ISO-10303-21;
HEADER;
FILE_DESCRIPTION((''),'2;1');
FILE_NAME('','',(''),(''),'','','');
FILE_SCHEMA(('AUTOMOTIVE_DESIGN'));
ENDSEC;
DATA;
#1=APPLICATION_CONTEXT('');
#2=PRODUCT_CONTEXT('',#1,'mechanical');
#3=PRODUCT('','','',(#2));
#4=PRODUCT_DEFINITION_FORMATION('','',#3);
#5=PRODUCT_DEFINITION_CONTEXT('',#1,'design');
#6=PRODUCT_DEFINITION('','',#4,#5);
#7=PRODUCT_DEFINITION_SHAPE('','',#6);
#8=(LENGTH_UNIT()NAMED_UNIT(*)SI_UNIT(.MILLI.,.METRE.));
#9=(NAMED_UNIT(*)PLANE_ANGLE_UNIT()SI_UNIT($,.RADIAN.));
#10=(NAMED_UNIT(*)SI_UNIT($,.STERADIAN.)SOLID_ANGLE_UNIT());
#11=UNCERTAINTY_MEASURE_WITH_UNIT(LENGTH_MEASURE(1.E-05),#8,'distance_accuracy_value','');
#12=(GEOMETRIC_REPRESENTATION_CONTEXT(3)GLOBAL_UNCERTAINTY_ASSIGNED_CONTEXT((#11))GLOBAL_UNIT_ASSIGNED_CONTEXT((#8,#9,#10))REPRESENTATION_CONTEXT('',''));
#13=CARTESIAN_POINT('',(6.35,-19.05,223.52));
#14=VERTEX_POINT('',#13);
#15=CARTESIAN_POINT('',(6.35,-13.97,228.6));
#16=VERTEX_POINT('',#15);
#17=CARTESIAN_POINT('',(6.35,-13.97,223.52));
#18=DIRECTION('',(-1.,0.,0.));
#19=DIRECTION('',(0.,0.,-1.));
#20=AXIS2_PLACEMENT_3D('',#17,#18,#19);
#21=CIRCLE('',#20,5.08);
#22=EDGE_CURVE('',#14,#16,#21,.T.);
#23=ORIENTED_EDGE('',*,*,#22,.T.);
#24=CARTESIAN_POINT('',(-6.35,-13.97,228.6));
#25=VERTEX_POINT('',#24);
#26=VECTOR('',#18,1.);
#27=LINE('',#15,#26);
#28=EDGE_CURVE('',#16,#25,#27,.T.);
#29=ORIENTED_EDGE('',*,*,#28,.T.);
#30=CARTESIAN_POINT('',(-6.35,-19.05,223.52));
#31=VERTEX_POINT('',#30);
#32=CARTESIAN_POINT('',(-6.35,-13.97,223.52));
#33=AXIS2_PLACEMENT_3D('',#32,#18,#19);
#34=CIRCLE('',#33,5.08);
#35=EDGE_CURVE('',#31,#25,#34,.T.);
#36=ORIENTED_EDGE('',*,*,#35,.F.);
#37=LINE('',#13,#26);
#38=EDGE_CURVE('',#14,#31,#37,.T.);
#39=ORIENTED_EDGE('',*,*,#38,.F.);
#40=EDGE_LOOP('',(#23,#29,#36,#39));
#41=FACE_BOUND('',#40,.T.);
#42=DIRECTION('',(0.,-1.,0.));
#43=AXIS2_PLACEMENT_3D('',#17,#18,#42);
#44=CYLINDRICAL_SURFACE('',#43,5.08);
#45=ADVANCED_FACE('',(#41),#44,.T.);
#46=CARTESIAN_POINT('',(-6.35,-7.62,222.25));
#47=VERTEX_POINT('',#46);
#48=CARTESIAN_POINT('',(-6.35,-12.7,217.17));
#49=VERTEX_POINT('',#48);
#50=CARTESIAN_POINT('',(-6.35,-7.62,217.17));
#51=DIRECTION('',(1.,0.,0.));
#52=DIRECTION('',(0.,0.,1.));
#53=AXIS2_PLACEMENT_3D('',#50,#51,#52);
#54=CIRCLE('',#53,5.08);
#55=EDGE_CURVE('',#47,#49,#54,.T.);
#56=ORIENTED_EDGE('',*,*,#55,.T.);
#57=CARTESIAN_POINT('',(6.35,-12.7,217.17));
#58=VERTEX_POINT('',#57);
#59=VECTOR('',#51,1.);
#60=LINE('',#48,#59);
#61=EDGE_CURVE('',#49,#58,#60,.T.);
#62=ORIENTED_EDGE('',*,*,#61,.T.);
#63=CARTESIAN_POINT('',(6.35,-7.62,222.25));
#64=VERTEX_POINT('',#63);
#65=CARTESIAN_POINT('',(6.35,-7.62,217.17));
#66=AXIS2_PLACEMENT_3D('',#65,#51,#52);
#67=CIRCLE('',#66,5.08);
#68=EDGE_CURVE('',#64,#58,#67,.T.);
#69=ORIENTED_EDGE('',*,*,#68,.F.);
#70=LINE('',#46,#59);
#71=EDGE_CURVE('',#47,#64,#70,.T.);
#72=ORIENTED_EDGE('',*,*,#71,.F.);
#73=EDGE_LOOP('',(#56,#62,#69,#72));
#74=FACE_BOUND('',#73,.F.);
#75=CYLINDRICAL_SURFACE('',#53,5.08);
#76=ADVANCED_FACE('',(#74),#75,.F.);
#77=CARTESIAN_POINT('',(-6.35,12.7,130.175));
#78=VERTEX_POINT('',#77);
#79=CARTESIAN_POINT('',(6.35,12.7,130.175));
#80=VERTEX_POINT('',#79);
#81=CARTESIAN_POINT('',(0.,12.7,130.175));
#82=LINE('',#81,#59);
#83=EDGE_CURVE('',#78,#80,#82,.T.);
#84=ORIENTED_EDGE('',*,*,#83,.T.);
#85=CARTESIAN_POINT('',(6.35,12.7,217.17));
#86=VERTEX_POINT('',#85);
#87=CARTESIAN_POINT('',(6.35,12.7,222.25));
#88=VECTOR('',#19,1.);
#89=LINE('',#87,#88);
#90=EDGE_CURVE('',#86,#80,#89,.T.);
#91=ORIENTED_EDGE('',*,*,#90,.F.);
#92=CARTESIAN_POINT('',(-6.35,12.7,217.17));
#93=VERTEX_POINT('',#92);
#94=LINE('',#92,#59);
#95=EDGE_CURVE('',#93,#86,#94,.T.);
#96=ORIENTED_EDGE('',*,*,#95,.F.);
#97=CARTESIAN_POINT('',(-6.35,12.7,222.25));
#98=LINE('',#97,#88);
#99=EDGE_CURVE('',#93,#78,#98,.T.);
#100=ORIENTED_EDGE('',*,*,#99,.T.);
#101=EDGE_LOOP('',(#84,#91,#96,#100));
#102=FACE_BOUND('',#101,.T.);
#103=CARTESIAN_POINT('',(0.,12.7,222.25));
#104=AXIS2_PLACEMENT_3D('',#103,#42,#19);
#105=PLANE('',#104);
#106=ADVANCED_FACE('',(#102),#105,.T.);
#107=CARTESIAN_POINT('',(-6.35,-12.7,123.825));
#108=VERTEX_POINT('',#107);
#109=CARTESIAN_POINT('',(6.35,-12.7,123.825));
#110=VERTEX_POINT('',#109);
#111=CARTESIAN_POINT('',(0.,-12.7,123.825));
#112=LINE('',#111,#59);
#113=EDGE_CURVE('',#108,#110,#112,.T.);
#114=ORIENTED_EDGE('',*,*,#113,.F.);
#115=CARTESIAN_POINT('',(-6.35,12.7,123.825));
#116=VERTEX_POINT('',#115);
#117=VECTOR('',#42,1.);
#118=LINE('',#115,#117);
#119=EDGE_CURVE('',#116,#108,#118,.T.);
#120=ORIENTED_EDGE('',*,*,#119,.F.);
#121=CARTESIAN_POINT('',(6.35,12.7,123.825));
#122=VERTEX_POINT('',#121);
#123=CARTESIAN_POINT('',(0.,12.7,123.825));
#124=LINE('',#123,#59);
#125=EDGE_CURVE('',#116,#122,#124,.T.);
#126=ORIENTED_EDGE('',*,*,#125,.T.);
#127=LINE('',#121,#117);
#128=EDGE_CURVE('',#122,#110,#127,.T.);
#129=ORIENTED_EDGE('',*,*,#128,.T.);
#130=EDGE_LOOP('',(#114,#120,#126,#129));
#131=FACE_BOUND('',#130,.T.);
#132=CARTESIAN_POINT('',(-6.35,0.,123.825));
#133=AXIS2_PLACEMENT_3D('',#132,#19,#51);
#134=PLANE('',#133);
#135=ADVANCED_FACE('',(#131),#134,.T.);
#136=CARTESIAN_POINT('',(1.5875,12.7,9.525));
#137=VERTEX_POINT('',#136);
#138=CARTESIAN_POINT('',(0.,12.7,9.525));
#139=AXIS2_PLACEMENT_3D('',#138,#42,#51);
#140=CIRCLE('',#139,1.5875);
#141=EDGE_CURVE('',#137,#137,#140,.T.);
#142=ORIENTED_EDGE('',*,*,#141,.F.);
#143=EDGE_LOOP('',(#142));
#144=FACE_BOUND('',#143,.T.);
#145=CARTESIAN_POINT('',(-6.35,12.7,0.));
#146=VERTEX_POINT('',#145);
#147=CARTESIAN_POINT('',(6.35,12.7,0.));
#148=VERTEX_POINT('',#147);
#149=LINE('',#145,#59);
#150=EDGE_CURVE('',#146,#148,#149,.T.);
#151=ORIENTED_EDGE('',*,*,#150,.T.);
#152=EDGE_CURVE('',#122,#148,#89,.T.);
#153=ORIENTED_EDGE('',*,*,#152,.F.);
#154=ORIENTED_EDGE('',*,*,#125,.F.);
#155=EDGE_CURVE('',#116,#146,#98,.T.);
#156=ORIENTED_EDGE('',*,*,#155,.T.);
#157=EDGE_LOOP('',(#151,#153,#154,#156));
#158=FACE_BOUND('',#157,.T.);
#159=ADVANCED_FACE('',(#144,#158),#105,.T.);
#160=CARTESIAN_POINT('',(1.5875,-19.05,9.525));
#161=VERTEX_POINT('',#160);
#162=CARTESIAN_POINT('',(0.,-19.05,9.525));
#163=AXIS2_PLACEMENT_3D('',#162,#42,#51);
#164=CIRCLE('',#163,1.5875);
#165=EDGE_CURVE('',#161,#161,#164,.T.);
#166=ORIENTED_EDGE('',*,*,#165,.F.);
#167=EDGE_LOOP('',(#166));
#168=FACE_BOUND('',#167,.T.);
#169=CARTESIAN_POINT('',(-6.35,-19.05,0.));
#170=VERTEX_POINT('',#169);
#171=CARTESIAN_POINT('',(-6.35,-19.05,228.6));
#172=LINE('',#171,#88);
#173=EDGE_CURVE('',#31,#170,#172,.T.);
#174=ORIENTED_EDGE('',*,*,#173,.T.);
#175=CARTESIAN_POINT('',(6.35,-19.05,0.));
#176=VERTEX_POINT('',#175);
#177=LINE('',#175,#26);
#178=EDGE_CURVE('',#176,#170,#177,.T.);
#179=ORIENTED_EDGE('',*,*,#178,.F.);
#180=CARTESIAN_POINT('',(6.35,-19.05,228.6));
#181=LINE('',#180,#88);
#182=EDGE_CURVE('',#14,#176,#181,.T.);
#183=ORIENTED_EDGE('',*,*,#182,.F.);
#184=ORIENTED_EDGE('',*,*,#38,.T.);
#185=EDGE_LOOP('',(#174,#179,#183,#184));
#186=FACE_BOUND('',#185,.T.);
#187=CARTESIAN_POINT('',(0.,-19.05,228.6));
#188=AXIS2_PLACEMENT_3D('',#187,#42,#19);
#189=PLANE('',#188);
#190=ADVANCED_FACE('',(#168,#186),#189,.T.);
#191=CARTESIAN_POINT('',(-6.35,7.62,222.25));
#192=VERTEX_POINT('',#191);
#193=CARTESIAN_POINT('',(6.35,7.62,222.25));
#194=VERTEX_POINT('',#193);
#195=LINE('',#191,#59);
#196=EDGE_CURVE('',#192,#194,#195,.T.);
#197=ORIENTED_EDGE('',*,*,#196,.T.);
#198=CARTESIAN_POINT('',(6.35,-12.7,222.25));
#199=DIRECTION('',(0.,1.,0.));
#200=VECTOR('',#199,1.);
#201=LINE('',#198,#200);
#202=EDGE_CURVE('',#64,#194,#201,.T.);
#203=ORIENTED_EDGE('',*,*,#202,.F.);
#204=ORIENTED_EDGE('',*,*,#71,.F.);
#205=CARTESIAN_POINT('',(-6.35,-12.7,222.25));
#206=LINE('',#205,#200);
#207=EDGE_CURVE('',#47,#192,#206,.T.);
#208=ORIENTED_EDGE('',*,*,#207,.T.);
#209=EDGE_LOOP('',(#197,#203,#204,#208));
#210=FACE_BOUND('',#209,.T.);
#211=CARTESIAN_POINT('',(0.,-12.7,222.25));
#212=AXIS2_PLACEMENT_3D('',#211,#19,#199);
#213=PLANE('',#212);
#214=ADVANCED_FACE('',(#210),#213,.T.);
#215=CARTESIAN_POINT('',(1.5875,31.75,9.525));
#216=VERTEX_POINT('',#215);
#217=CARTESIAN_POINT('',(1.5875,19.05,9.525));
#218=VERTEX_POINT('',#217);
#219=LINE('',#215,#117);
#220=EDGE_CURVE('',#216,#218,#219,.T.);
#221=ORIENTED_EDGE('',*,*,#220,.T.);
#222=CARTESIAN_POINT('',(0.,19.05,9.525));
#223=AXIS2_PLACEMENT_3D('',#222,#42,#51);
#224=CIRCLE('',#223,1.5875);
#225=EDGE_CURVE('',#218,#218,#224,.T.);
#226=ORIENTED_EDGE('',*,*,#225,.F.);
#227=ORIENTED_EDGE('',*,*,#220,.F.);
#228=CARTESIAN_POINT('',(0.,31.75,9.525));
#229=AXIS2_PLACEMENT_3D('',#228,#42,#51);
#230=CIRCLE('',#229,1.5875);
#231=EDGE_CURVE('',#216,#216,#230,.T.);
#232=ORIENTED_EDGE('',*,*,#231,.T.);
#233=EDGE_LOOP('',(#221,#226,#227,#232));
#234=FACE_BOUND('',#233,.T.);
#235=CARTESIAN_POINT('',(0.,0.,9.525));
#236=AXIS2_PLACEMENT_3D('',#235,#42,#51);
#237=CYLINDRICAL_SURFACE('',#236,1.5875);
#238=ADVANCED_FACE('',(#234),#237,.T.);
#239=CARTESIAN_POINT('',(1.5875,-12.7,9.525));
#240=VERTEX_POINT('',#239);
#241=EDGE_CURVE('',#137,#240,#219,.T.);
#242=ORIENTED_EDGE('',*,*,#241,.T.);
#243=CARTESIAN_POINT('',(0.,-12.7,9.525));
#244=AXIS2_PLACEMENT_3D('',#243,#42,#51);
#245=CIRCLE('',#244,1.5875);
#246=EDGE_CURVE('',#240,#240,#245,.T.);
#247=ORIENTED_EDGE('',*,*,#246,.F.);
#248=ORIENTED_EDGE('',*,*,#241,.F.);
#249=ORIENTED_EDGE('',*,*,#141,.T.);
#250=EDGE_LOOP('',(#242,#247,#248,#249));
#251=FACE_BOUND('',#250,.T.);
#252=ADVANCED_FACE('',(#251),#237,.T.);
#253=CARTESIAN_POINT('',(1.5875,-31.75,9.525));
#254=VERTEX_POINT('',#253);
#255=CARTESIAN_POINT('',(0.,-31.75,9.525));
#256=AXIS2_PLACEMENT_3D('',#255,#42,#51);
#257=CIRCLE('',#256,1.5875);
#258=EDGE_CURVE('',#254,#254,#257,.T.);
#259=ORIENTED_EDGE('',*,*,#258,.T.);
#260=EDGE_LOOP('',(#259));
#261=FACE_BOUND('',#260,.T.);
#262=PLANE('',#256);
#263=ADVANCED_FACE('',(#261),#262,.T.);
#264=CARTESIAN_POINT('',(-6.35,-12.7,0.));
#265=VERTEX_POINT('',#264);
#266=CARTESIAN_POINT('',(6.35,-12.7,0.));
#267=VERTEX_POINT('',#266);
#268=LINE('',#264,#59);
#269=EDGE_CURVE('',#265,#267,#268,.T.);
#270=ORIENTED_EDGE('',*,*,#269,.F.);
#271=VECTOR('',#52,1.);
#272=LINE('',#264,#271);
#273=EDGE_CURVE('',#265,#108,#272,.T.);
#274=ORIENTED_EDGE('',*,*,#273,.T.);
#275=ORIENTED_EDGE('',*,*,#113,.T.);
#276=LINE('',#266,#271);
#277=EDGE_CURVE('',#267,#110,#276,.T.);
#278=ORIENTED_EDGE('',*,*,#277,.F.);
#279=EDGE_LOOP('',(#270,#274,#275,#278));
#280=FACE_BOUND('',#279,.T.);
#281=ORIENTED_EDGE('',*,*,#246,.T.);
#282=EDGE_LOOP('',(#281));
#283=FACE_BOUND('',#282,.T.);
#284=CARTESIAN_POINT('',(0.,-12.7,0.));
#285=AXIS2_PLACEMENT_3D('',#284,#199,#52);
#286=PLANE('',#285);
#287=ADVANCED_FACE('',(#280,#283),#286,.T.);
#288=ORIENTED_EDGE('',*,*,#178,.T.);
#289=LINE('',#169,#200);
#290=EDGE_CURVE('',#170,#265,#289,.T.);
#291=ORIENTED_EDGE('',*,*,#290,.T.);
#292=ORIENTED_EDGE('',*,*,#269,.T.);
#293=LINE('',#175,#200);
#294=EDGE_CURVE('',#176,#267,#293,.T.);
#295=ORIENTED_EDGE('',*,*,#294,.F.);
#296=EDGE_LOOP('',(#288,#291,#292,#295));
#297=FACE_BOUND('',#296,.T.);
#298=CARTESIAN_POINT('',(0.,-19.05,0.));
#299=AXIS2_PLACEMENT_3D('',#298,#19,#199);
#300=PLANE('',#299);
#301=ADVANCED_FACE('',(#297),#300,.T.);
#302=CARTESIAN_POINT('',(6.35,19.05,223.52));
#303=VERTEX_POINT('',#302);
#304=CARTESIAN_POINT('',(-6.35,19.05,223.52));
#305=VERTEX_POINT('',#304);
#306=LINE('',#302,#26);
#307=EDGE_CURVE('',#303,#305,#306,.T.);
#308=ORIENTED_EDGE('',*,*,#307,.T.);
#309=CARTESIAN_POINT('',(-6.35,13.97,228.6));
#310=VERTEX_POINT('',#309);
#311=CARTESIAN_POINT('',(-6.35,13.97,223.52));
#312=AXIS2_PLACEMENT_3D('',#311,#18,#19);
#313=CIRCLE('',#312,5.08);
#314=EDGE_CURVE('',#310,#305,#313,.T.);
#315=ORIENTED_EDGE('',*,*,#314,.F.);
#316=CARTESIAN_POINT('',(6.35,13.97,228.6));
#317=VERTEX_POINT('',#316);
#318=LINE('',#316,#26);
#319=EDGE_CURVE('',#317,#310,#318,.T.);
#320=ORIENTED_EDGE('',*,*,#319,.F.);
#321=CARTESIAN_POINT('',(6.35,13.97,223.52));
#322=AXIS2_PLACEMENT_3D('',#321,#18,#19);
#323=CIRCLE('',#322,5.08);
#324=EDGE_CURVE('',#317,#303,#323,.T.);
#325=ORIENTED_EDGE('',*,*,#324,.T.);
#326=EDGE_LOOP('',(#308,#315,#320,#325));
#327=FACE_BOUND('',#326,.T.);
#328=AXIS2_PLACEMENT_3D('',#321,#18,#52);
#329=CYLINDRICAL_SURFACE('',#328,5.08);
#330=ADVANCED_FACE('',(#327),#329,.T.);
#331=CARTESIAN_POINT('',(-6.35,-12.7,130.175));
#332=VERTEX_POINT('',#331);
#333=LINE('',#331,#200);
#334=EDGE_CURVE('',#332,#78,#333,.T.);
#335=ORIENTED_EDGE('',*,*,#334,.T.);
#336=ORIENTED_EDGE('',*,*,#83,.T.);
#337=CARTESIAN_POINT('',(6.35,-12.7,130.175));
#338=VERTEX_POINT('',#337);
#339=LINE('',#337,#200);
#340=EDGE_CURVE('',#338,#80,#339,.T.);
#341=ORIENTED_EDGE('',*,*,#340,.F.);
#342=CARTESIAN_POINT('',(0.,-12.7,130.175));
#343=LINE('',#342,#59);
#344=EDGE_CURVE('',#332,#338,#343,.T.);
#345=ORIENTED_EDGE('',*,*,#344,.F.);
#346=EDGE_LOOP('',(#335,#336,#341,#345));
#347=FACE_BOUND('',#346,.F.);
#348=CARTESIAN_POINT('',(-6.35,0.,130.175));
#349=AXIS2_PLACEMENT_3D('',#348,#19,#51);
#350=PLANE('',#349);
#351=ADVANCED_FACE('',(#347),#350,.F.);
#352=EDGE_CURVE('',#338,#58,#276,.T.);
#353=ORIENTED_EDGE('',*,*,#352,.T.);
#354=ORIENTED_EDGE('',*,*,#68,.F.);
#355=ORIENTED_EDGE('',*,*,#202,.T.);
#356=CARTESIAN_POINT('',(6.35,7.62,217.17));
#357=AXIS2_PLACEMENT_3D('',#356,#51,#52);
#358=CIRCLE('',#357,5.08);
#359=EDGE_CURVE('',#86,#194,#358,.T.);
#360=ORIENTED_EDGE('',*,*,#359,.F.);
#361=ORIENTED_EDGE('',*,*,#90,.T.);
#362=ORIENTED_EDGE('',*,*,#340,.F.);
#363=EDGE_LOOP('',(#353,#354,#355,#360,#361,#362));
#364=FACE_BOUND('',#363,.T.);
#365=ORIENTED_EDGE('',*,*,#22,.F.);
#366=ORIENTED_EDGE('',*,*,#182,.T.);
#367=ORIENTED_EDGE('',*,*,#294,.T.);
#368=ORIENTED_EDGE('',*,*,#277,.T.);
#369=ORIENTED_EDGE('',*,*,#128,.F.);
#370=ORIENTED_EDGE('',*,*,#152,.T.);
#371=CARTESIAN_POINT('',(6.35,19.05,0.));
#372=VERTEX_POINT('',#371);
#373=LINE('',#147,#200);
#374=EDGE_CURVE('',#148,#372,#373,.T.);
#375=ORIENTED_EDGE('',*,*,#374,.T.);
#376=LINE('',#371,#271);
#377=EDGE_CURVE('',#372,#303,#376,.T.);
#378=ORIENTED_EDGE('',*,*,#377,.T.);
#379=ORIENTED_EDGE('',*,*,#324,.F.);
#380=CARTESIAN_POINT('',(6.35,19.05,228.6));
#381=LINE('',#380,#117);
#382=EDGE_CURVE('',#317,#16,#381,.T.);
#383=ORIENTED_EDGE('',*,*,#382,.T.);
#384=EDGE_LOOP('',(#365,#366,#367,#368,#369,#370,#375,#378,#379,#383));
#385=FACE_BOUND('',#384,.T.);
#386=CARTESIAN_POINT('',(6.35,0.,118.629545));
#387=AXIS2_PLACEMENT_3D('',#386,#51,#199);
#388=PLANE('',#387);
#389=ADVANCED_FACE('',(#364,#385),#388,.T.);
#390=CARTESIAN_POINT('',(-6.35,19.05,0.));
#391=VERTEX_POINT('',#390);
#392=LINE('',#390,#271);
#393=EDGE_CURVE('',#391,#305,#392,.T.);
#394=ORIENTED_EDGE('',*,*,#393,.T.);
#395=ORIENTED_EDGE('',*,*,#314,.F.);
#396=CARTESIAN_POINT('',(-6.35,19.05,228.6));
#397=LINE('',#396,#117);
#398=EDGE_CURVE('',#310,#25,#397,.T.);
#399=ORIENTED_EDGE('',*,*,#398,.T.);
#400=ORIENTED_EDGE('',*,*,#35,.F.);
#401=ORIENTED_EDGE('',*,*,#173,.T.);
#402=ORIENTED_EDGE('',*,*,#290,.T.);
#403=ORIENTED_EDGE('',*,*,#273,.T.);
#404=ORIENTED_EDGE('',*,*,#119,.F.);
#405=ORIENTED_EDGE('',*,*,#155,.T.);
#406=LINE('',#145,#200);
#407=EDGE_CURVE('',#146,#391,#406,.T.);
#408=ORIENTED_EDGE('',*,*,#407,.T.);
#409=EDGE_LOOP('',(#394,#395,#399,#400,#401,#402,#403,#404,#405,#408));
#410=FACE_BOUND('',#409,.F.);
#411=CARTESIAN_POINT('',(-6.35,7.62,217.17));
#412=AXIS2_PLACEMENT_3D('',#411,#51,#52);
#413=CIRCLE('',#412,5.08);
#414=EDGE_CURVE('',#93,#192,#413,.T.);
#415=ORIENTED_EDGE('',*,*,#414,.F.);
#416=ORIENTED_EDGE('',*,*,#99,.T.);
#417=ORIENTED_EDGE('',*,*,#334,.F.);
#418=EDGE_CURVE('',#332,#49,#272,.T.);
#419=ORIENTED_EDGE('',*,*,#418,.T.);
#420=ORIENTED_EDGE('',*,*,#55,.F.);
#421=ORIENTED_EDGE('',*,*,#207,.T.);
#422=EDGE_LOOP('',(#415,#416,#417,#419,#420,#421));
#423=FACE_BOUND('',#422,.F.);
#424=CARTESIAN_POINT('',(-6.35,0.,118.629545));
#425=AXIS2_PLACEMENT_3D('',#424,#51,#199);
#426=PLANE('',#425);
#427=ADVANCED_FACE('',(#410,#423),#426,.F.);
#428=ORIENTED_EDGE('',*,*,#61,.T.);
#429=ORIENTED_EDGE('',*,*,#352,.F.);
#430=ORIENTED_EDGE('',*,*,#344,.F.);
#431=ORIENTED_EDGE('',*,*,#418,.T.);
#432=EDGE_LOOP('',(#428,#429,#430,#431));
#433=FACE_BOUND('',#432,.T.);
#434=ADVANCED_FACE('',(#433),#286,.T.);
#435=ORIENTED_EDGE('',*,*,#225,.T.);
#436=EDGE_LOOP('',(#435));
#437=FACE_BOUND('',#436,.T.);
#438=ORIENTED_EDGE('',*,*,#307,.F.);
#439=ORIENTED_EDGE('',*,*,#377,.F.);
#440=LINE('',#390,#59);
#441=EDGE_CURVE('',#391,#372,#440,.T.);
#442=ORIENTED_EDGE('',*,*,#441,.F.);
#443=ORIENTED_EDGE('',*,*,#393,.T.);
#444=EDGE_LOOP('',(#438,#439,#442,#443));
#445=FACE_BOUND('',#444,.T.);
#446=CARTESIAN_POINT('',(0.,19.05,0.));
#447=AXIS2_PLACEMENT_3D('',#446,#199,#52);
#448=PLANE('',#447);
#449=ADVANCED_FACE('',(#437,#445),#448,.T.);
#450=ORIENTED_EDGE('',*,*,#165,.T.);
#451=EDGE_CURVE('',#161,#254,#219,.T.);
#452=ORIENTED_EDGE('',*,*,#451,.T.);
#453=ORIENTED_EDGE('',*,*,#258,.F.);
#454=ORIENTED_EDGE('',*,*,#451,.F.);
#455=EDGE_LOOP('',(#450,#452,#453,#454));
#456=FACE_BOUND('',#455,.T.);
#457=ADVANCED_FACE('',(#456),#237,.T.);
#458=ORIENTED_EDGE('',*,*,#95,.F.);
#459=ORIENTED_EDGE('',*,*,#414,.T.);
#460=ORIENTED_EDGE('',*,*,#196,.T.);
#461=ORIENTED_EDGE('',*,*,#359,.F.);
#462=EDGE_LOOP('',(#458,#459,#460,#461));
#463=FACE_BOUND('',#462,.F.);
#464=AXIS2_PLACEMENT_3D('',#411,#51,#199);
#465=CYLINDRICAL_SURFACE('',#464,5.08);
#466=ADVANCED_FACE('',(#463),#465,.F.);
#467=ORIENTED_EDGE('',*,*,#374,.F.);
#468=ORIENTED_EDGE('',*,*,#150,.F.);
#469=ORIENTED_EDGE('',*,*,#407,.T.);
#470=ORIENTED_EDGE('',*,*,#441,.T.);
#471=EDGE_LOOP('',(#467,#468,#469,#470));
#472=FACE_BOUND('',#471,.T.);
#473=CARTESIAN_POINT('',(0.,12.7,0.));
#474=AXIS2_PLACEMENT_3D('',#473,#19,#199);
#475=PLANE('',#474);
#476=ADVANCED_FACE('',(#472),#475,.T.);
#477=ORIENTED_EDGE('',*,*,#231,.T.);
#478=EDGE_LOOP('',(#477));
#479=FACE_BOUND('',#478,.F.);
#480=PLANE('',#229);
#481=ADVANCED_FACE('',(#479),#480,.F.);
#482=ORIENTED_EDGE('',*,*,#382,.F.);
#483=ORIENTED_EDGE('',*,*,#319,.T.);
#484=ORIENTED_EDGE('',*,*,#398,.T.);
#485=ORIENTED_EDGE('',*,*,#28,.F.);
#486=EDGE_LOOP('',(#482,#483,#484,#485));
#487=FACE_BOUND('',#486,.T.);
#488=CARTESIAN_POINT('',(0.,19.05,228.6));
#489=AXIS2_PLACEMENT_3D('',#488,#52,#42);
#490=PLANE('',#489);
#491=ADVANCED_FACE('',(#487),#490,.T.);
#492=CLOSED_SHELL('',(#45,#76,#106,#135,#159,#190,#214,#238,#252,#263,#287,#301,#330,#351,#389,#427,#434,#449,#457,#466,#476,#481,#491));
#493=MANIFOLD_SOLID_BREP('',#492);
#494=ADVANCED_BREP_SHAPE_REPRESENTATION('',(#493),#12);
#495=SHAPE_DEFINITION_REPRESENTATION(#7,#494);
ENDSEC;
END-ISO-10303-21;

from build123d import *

# Parameters (mm, degrees)
F1_DEPTH = 6.35
F2_R     = 5.08
F3_W     = 12.7
F3_H     = 6.35
F4_DEPTH = 12.7
F3_R     = 1.5875
F5_DEPTH = 127
F6_DEPTH = 31.75


with BuildPart() as f1:
    # F0 (on Right) → F1 (new body, symmetric)
    with BuildSketch(Plane.YZ):
        Polygon((-19.05, 0), (-12.7, 0), (-12.7, 222.25), (12.7, 222.25), (12.7, 0), (19.05, 0), (19.05, 228.6), (12.7, 228.6), (-12.7, 228.6), (-19.05, 228.6), align=None)
    extrude(amount=F1_DEPTH, both=True)

    # F2
    f2_edges = [f1.edges().sort_by_distance(p)[0] for p in [
        (0, -12.7, 222.25),
        (0, 12.7, 222.25),
        (0, -19.05, 228.6),
        (0, 19.05, 228.6),
    ]]
    fillet(f2_edges, radius=F2_R)

    # F3 (on Front) → F4 (join, symmetric)
    with BuildSketch(Plane.XZ):
        with Locations((0, 127)):
            Rectangle(F3_W, F3_H)
    extrude(amount=F4_DEPTH, both=True)

    # F3 (on Front) → F5 (cut, symmetric)
    with BuildSketch(Plane.XZ):
        with Locations((0, 9.525)):
            Circle(F3_R)
    extrude(amount=F5_DEPTH, both=True, mode=Mode.SUBTRACT)

    # F3 (on Front) → F6 (join, symmetric)
    with BuildSketch(Plane.XZ):
        with Locations((0, 9.525)):
            Circle(F3_R)
    extrude(amount=F6_DEPTH, both=True)


solid = f1.part
